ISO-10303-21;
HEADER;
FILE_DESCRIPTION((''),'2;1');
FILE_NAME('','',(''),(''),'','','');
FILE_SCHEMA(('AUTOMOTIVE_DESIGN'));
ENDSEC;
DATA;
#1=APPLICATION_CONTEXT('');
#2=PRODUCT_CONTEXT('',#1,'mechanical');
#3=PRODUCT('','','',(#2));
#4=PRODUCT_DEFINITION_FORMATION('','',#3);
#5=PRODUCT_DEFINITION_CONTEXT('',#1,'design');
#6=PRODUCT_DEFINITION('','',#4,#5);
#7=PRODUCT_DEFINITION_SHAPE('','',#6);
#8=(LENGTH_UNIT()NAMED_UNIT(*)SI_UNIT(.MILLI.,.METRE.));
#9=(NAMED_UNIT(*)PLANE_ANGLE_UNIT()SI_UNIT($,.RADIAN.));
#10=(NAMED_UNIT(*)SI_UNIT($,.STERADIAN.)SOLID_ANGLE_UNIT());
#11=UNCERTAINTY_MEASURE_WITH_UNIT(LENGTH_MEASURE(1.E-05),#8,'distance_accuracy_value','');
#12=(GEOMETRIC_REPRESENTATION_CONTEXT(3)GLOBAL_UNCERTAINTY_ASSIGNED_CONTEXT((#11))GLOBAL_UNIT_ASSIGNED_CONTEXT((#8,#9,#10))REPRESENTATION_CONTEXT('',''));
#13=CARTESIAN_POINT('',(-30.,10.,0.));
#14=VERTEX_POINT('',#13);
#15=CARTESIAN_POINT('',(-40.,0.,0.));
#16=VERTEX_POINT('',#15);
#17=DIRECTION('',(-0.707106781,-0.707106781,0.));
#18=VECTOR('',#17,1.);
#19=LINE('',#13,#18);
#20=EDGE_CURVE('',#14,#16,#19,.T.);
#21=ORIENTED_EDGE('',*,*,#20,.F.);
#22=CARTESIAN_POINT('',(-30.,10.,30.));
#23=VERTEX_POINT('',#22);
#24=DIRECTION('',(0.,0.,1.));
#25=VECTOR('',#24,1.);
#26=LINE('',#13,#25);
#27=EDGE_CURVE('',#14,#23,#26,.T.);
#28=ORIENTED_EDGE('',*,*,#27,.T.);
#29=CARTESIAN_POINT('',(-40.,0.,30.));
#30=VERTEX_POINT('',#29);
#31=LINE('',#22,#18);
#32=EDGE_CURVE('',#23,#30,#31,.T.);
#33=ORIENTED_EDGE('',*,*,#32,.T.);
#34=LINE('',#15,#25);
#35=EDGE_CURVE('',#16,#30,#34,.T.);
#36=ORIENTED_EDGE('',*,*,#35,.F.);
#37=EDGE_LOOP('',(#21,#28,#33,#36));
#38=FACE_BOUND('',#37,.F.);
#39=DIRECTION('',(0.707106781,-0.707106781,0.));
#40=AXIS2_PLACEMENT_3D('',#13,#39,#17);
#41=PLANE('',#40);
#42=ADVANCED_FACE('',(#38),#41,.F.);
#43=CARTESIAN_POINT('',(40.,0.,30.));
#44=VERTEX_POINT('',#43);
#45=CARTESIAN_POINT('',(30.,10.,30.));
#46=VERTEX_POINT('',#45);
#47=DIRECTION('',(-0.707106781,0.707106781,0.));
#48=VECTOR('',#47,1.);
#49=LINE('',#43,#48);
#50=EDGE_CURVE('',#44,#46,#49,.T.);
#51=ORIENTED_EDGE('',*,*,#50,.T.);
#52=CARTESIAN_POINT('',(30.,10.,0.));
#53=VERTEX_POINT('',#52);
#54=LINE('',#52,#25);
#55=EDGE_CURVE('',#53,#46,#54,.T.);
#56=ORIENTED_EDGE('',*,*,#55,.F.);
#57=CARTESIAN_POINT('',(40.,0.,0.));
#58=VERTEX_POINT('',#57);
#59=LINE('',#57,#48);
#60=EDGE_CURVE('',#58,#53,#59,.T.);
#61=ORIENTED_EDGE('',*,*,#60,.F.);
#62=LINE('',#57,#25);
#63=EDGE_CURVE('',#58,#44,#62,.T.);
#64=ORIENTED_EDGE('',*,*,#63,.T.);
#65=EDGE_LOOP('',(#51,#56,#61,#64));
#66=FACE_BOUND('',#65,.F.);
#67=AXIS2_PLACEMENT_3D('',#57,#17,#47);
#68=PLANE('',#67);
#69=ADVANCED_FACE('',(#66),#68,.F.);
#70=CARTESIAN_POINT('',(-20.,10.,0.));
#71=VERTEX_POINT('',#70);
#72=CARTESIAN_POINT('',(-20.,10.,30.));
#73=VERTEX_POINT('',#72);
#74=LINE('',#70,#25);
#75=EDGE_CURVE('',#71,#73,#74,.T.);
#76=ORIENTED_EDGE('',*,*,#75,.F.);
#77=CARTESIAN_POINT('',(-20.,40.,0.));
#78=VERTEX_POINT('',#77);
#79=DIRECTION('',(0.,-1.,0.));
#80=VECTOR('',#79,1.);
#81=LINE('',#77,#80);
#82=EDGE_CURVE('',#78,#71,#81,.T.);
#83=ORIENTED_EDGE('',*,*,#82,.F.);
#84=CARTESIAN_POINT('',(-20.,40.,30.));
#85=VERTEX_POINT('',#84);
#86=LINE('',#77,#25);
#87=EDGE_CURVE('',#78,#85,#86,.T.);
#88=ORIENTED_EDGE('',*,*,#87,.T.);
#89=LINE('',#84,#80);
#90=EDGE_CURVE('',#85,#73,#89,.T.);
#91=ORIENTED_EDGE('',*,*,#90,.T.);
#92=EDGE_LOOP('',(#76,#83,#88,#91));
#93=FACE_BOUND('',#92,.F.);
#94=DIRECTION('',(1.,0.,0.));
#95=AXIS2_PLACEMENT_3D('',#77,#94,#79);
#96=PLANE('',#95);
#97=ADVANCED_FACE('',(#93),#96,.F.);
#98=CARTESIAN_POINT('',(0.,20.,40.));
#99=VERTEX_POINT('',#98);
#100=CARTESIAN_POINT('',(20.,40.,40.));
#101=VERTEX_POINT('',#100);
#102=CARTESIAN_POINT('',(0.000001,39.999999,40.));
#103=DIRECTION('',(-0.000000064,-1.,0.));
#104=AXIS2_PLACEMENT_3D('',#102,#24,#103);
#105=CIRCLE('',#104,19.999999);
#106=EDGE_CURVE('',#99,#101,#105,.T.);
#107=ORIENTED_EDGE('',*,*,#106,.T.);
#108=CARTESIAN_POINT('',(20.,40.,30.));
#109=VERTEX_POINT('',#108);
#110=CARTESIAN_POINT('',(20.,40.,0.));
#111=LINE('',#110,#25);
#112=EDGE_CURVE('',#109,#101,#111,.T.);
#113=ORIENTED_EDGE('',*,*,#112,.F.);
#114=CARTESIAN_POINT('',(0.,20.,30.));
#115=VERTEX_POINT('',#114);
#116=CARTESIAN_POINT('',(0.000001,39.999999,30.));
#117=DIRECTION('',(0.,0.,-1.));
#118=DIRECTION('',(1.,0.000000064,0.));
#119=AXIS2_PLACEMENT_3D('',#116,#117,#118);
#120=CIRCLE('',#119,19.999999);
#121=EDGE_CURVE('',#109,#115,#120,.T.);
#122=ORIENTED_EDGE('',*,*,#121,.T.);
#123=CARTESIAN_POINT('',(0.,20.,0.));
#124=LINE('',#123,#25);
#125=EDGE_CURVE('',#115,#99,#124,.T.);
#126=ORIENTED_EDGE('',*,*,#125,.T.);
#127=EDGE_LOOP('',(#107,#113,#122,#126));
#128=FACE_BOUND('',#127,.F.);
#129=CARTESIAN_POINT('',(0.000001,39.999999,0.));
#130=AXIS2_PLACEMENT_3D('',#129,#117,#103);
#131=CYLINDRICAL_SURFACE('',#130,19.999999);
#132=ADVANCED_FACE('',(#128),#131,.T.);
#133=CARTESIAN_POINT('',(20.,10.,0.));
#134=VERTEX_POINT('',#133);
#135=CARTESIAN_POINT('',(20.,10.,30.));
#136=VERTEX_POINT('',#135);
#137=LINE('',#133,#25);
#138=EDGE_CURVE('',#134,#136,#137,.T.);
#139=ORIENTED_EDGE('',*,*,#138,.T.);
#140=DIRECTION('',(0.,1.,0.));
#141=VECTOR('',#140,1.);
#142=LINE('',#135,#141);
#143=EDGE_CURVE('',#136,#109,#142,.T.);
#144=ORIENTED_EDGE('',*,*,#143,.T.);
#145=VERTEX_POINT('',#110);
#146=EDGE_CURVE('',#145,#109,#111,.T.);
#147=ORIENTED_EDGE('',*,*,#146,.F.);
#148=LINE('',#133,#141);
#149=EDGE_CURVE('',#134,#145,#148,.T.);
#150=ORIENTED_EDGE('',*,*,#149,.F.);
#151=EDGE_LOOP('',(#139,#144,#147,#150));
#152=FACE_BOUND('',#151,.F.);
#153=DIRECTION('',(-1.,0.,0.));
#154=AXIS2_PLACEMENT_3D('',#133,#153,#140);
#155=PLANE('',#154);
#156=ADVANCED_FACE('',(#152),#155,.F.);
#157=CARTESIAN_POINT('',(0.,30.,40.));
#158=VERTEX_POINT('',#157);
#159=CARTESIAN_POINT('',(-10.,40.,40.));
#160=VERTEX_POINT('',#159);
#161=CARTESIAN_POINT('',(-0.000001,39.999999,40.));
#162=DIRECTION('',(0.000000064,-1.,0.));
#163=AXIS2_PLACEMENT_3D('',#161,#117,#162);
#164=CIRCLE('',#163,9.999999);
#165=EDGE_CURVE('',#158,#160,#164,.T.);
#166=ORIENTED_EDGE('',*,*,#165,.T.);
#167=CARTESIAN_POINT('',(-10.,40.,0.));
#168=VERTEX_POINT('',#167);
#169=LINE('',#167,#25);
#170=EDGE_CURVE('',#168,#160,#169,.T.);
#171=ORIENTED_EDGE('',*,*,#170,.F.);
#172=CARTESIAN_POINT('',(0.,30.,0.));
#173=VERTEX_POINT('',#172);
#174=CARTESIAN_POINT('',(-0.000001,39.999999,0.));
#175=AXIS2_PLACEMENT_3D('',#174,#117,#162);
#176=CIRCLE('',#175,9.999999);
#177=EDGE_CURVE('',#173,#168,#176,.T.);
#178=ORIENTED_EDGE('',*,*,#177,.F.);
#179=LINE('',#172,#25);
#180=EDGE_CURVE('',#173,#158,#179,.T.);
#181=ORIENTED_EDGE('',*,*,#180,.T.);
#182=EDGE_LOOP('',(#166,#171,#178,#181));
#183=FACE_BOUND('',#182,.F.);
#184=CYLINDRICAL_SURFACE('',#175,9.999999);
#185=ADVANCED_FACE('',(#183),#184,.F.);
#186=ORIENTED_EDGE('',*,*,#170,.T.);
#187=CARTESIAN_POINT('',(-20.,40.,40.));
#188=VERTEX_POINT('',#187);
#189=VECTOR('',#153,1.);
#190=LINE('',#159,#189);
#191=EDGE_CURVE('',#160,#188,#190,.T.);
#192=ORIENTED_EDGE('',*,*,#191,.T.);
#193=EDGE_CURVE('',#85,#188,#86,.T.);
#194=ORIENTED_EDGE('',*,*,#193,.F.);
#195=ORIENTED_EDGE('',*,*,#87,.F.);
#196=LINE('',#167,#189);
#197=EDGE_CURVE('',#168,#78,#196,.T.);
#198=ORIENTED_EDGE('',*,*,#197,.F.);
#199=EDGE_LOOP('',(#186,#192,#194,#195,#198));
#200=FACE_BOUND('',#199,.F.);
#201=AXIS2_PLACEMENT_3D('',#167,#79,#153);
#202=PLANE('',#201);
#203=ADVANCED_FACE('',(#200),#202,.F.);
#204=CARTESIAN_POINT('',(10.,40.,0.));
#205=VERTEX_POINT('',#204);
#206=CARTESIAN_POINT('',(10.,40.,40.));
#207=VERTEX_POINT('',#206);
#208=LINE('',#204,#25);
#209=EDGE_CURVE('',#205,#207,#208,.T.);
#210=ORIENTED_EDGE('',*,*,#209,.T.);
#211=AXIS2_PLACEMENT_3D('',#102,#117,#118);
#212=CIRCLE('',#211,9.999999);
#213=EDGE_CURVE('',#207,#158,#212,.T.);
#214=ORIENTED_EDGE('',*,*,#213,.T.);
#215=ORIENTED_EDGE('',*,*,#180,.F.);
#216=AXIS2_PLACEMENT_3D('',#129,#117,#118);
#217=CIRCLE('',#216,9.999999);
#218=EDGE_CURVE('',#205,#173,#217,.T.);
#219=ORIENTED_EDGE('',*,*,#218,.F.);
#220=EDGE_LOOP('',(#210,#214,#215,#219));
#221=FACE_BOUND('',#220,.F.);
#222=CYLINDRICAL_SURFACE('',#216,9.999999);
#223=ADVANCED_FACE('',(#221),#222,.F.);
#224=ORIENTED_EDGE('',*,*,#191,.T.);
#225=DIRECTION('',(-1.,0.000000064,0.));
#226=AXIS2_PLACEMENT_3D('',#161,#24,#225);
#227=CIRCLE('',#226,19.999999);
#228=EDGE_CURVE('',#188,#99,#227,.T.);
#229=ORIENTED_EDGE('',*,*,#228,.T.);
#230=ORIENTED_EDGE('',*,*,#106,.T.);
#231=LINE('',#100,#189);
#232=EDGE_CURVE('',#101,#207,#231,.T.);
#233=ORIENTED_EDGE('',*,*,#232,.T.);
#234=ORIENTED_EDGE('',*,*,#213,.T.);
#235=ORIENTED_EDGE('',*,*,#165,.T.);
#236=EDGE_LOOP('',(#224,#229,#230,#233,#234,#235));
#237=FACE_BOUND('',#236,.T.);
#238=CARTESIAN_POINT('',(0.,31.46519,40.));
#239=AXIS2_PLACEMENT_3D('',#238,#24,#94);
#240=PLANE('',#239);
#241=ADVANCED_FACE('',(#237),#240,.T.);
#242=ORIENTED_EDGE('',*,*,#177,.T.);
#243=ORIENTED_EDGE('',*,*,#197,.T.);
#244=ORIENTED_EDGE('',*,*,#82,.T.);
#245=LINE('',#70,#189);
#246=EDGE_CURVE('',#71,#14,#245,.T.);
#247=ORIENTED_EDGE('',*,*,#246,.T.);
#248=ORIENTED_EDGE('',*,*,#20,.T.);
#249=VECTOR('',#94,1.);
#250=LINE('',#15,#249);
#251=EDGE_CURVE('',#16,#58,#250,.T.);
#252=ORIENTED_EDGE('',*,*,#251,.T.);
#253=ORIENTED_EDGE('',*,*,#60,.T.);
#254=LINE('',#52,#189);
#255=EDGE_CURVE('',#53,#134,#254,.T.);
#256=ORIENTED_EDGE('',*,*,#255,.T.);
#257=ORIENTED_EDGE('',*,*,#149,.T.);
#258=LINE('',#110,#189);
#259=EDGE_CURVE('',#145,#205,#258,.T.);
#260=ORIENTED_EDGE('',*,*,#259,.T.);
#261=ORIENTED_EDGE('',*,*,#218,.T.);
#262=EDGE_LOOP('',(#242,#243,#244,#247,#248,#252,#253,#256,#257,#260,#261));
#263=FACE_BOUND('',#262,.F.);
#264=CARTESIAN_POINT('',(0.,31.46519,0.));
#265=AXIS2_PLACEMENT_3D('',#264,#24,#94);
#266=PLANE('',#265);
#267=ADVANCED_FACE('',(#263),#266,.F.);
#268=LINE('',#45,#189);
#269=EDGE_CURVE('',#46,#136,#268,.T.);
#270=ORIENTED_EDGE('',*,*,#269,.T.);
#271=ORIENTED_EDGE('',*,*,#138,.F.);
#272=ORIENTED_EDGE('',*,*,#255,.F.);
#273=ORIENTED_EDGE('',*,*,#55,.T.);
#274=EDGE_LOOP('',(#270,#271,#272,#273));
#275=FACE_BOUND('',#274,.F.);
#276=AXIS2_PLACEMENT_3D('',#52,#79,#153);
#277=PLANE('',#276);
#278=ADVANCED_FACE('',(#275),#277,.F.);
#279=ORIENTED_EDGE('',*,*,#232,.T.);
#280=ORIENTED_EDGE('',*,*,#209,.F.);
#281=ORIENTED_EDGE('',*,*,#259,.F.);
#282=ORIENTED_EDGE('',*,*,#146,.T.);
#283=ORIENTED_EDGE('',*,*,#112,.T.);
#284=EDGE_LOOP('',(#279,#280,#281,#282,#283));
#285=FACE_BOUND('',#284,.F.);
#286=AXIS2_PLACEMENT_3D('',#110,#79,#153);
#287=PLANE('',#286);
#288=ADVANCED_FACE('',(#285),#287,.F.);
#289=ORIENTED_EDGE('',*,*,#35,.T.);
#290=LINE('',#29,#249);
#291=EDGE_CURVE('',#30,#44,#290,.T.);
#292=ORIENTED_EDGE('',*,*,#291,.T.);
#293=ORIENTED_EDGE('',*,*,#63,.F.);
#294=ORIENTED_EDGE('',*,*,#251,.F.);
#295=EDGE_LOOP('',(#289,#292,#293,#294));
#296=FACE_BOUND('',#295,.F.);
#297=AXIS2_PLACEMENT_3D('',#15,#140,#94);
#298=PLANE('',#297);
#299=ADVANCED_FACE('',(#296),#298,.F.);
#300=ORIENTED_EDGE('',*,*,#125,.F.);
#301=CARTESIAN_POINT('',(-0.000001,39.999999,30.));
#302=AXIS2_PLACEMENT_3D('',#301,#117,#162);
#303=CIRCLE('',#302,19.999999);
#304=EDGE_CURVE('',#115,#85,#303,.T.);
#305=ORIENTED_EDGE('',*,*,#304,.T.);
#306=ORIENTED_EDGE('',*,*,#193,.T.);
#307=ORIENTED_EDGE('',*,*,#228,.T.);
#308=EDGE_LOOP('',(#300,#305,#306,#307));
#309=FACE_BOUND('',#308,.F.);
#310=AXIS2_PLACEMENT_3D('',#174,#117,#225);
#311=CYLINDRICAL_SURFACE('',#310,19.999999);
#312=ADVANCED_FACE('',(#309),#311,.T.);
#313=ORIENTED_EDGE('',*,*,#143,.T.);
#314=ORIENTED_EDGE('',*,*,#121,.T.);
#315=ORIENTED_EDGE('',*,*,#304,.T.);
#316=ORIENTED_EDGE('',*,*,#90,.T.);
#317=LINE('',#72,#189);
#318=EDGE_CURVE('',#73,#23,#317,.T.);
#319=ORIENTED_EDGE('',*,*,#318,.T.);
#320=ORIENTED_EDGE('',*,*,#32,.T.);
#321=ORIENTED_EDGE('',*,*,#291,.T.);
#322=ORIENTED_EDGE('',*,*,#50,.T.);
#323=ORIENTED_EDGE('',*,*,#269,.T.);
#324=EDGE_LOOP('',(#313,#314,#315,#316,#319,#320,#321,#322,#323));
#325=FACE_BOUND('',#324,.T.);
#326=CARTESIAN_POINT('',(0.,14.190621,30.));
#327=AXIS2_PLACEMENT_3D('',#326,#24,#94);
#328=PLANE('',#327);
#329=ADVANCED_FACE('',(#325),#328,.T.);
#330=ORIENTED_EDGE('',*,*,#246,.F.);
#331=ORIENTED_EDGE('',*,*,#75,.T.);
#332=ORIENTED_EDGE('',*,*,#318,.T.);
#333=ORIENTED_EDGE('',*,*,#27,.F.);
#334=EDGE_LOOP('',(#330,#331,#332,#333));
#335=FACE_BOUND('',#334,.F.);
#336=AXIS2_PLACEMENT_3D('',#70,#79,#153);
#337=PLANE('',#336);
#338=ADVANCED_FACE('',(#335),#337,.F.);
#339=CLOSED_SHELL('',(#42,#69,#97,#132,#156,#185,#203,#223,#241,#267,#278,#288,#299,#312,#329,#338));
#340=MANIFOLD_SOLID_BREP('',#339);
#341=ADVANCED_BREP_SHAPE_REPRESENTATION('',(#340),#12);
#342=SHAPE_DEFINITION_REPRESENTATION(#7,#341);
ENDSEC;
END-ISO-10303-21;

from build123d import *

# Parameters (mm, degrees)
F1_DEPTH = 30
F2_DEPTH = 40


with BuildPart() as f1:
    # F0 (on Top) → F1 (new body)
    with BuildSketch(Plane.XY):
        with BuildLine():
            Line((-40, 0), (0, 0))
            Line((0, 0), (30, 0))
            Line((30, 0), (40, 0))
            Line((40, 0), (30, 10))
            Line((30, 10), (20, 10))
            Line((20, 10), (20, 40))
            ThreePointArc((20, 40), (14.142136, 25.857864), (0, 20))
            ThreePointArc((0, 20), (-14.142136, 25.857864), (-20, 40))
            Line((-20, 40), (-20, 10))
            Line((-20, 10), (-30, 10))
            Line((-30, 10), (-40, 0))
        make_face()
    extrude(amount=F1_DEPTH)

    # F0 (on Top) → F2 (join)
    with BuildSketch(Plane.XY):
        with BuildLine():
            Line((-10, 40), (-20, 40))
            ThreePointArc((-20, 40), (-14.142136, 25.857864), (0, 20))
            ThreePointArc((0, 20), (14.142136, 25.857864), (20, 40))
            Line((20, 40), (10, 40))
            ThreePointArc((10, 40), (7.071068, 32.928932), (0, 30))
            ThreePointArc((0, 30), (-7.071068, 32.928932), (-10, 40))
        make_face()
    extrude(amount=F2_DEPTH)


solid = f1.part
